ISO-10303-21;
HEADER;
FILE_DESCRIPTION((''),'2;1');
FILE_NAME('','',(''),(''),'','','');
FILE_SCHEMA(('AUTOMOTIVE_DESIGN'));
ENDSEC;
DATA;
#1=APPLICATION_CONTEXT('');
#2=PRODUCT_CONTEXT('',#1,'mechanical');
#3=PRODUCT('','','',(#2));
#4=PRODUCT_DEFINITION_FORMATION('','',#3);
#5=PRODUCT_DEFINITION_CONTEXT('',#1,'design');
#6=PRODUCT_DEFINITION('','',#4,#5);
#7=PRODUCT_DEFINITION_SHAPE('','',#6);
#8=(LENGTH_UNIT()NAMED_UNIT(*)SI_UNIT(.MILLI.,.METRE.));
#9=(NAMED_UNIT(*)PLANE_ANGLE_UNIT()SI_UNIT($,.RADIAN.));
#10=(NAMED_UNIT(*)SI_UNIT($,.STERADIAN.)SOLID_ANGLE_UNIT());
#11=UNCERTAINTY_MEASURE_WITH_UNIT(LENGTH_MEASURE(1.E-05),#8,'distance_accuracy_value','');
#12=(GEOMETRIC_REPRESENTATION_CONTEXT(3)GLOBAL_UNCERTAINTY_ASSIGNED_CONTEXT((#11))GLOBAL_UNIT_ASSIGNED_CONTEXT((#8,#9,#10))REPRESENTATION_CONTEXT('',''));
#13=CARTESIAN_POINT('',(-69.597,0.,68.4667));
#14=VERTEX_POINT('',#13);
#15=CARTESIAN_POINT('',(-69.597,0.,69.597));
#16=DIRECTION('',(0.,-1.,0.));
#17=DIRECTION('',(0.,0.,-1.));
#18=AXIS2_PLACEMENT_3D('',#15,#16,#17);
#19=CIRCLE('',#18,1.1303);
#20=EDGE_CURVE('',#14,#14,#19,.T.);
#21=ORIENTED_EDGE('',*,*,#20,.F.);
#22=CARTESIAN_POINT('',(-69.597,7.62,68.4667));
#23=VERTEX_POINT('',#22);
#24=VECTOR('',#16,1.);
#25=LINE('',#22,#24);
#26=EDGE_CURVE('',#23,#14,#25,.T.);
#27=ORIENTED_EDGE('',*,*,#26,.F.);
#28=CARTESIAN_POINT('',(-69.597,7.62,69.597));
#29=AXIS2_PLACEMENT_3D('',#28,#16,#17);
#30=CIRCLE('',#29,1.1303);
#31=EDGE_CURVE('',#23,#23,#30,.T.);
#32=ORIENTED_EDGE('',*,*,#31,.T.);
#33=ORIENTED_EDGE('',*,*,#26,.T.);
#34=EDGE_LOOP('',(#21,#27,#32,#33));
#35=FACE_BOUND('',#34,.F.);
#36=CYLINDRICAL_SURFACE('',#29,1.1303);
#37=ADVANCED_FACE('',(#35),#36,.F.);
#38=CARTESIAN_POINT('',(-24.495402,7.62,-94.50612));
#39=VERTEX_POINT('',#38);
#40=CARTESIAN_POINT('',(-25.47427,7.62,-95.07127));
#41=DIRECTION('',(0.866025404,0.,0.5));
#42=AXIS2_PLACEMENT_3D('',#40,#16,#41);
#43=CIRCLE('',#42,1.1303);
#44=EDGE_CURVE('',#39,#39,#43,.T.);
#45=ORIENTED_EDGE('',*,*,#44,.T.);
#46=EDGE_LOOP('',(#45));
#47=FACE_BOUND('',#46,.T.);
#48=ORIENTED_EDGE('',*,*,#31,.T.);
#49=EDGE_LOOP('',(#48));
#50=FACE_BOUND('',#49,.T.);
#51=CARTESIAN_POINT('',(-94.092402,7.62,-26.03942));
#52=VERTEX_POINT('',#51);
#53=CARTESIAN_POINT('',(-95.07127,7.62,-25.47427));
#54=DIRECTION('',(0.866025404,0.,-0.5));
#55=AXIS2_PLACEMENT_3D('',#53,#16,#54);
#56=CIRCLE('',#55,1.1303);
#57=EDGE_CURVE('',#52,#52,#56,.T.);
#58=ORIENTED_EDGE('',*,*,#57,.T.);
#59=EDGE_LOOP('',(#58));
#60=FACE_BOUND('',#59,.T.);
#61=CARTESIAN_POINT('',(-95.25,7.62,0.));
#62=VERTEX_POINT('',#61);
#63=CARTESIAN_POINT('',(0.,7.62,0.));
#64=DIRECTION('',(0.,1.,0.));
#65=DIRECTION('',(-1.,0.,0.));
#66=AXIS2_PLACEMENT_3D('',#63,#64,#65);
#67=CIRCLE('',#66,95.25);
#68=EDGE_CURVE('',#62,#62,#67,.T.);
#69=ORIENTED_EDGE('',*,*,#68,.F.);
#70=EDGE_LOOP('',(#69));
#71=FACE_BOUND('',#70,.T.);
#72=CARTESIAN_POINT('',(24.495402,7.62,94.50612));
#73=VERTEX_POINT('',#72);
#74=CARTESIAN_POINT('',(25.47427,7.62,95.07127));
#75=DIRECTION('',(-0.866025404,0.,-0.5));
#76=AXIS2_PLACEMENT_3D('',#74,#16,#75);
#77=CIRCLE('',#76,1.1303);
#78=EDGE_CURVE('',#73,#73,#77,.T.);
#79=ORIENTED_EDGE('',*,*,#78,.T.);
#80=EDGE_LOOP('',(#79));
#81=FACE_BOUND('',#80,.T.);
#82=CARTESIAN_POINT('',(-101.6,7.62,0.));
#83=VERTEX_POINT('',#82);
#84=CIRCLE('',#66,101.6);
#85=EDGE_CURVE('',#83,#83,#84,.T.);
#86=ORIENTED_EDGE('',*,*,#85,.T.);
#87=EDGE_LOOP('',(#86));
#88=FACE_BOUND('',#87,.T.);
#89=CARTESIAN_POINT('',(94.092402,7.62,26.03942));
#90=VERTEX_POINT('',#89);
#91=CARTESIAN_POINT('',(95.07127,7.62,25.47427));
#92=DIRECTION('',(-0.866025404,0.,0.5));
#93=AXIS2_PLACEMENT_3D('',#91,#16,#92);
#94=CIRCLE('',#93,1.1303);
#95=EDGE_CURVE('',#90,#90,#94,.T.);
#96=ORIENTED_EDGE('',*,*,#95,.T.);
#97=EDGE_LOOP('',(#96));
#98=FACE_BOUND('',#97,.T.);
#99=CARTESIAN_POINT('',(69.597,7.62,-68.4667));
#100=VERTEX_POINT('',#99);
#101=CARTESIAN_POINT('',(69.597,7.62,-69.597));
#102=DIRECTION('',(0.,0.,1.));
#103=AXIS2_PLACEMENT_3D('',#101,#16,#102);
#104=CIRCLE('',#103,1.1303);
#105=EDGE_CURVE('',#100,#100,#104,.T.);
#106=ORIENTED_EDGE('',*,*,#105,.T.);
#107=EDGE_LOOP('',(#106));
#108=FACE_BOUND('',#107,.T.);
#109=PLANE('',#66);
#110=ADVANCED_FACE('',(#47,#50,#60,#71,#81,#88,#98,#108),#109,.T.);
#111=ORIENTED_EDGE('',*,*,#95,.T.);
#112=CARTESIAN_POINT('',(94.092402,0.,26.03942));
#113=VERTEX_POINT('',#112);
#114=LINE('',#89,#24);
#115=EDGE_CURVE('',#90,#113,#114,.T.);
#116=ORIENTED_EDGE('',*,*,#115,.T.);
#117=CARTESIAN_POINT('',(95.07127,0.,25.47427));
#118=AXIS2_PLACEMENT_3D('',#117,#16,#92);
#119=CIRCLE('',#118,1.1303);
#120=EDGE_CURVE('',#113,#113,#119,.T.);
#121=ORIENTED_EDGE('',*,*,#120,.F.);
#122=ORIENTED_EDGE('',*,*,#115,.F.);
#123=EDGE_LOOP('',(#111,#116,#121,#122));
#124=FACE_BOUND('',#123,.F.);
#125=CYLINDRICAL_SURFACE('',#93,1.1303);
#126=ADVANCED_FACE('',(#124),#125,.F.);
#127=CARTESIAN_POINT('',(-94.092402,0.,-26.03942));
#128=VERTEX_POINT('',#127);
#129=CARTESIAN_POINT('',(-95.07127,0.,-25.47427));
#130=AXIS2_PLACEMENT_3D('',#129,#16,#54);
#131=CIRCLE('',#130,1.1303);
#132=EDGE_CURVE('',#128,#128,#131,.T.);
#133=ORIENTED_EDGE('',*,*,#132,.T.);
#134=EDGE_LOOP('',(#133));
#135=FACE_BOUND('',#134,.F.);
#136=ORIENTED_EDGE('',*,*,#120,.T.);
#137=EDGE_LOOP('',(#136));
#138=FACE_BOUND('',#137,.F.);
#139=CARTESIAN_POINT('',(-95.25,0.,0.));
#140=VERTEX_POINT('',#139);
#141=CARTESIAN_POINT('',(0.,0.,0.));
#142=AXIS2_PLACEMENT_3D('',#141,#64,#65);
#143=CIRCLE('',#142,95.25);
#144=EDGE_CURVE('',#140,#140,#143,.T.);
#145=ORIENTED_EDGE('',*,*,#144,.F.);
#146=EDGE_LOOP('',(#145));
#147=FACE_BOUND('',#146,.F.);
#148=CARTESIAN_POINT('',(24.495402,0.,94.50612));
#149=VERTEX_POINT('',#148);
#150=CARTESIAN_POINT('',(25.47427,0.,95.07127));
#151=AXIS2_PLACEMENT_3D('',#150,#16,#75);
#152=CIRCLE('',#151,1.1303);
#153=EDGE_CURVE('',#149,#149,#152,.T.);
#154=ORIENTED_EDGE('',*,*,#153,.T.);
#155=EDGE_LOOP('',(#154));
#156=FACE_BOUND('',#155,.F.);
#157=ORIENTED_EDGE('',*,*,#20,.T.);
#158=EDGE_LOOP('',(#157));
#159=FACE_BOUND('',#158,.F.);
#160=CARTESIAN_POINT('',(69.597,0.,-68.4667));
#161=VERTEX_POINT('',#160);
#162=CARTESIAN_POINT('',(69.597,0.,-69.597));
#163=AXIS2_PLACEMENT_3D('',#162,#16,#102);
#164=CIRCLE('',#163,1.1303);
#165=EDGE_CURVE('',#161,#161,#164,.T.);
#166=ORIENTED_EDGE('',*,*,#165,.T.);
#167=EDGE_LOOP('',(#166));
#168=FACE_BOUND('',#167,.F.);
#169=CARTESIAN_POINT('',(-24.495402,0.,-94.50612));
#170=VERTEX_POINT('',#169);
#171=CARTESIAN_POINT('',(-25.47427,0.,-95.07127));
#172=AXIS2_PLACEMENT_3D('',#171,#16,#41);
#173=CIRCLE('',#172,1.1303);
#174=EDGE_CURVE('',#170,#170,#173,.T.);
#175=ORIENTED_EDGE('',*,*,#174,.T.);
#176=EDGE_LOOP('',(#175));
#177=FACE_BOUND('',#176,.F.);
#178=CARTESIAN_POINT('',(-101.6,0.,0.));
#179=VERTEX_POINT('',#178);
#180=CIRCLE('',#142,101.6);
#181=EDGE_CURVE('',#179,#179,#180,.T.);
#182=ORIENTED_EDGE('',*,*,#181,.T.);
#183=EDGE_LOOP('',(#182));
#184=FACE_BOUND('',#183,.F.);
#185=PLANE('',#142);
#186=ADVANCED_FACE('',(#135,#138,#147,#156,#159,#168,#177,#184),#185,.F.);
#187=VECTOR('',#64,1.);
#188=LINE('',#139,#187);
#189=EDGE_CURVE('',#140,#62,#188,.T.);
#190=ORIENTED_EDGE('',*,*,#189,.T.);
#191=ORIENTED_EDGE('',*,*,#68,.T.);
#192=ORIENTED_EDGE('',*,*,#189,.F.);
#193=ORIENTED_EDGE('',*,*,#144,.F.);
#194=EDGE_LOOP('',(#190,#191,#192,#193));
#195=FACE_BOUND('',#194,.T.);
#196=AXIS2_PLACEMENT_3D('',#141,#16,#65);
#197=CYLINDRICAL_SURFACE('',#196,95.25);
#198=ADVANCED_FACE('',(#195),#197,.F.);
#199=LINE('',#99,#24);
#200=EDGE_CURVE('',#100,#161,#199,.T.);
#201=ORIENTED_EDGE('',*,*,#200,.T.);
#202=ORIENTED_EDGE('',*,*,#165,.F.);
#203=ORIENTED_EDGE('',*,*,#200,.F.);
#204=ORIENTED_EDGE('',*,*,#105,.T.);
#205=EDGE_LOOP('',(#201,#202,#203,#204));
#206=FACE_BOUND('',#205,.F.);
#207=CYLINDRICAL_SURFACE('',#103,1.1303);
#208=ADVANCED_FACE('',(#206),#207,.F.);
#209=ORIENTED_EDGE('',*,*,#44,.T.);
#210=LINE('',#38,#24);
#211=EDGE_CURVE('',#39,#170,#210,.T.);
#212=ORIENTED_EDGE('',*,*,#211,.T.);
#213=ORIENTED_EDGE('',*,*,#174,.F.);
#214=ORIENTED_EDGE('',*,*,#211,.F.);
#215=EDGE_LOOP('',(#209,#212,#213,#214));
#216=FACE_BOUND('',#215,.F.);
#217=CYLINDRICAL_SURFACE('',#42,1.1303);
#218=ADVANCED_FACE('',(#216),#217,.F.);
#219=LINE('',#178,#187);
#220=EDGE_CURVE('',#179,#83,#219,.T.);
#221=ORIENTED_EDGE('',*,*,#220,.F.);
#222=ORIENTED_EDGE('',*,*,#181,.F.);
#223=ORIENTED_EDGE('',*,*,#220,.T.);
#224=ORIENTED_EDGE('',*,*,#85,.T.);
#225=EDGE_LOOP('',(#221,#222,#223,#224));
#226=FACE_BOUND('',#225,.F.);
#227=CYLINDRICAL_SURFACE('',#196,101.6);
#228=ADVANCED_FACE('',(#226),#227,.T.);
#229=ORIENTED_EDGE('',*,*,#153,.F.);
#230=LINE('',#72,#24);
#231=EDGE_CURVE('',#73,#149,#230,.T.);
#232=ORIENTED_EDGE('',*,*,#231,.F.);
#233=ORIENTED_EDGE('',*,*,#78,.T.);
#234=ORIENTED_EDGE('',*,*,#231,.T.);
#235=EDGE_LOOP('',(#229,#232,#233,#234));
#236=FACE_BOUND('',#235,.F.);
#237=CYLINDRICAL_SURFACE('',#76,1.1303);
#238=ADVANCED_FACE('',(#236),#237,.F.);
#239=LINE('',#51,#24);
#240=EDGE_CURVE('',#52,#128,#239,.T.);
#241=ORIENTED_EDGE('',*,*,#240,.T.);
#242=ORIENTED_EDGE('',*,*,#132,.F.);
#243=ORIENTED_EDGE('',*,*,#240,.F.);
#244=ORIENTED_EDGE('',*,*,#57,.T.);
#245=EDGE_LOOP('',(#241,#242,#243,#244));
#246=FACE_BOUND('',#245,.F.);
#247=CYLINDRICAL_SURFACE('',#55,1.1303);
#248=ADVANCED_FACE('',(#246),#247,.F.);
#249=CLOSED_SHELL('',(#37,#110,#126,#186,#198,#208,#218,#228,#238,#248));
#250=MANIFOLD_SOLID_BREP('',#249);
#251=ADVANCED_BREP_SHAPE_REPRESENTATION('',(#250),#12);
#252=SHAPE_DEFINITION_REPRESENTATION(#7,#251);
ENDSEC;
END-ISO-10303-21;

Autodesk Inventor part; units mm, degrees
ref_plane "YZ Plane" through (0, 0, 0) normal (1, 0, 0) x (0, 1, 0)
ref_plane "XZ Plane" through (0, 0, 0) normal (0, 1, 0) x (-1, 0, 0)
ref_plane "XY Plane" through (0, 0, 0) normal (0, 0, 1) x (1, 0, 0)
sketch "Sketch1" plane through (0, 0, 0) normal (0, 1, 0) x (-1, 0, 0)
  circle A0 centre (0, 0) radius 101.6
  circle A1 centre (0, 0) radius 95.25
  dimension "d0" = 203.2
  dimension "d1" = 190.5
extrude "Extrusion1" add sketch "Sketch1" along normal blind 7.62
sketch "Sketch2" plane through (0, 7.62, 0) normal (0, 1, 0) x (1, 0, 0)
  line L0 (0, 0) -> (69.597, 69.597) construction
  line L1 (0, 0) -> (98.425, 0) construction
  point P0 (71.1594, 93.9158)
  dimension "d4" = 98.425
  dimension "d5" = 45
hole "Hole1" at (69.597, 7.62, -69.597) at (71.1594, 7.62, -93.9158) direction (0, -1, 0) diameter 2.2606 end through all
pattern_circular "Circular Pattern1" count 6 over 360 about axis through (0, 0, 0) along (0, 1, 0) of "Hole1"
properties part number "4K sheild rim" material "Brass, Soft Yellow"
